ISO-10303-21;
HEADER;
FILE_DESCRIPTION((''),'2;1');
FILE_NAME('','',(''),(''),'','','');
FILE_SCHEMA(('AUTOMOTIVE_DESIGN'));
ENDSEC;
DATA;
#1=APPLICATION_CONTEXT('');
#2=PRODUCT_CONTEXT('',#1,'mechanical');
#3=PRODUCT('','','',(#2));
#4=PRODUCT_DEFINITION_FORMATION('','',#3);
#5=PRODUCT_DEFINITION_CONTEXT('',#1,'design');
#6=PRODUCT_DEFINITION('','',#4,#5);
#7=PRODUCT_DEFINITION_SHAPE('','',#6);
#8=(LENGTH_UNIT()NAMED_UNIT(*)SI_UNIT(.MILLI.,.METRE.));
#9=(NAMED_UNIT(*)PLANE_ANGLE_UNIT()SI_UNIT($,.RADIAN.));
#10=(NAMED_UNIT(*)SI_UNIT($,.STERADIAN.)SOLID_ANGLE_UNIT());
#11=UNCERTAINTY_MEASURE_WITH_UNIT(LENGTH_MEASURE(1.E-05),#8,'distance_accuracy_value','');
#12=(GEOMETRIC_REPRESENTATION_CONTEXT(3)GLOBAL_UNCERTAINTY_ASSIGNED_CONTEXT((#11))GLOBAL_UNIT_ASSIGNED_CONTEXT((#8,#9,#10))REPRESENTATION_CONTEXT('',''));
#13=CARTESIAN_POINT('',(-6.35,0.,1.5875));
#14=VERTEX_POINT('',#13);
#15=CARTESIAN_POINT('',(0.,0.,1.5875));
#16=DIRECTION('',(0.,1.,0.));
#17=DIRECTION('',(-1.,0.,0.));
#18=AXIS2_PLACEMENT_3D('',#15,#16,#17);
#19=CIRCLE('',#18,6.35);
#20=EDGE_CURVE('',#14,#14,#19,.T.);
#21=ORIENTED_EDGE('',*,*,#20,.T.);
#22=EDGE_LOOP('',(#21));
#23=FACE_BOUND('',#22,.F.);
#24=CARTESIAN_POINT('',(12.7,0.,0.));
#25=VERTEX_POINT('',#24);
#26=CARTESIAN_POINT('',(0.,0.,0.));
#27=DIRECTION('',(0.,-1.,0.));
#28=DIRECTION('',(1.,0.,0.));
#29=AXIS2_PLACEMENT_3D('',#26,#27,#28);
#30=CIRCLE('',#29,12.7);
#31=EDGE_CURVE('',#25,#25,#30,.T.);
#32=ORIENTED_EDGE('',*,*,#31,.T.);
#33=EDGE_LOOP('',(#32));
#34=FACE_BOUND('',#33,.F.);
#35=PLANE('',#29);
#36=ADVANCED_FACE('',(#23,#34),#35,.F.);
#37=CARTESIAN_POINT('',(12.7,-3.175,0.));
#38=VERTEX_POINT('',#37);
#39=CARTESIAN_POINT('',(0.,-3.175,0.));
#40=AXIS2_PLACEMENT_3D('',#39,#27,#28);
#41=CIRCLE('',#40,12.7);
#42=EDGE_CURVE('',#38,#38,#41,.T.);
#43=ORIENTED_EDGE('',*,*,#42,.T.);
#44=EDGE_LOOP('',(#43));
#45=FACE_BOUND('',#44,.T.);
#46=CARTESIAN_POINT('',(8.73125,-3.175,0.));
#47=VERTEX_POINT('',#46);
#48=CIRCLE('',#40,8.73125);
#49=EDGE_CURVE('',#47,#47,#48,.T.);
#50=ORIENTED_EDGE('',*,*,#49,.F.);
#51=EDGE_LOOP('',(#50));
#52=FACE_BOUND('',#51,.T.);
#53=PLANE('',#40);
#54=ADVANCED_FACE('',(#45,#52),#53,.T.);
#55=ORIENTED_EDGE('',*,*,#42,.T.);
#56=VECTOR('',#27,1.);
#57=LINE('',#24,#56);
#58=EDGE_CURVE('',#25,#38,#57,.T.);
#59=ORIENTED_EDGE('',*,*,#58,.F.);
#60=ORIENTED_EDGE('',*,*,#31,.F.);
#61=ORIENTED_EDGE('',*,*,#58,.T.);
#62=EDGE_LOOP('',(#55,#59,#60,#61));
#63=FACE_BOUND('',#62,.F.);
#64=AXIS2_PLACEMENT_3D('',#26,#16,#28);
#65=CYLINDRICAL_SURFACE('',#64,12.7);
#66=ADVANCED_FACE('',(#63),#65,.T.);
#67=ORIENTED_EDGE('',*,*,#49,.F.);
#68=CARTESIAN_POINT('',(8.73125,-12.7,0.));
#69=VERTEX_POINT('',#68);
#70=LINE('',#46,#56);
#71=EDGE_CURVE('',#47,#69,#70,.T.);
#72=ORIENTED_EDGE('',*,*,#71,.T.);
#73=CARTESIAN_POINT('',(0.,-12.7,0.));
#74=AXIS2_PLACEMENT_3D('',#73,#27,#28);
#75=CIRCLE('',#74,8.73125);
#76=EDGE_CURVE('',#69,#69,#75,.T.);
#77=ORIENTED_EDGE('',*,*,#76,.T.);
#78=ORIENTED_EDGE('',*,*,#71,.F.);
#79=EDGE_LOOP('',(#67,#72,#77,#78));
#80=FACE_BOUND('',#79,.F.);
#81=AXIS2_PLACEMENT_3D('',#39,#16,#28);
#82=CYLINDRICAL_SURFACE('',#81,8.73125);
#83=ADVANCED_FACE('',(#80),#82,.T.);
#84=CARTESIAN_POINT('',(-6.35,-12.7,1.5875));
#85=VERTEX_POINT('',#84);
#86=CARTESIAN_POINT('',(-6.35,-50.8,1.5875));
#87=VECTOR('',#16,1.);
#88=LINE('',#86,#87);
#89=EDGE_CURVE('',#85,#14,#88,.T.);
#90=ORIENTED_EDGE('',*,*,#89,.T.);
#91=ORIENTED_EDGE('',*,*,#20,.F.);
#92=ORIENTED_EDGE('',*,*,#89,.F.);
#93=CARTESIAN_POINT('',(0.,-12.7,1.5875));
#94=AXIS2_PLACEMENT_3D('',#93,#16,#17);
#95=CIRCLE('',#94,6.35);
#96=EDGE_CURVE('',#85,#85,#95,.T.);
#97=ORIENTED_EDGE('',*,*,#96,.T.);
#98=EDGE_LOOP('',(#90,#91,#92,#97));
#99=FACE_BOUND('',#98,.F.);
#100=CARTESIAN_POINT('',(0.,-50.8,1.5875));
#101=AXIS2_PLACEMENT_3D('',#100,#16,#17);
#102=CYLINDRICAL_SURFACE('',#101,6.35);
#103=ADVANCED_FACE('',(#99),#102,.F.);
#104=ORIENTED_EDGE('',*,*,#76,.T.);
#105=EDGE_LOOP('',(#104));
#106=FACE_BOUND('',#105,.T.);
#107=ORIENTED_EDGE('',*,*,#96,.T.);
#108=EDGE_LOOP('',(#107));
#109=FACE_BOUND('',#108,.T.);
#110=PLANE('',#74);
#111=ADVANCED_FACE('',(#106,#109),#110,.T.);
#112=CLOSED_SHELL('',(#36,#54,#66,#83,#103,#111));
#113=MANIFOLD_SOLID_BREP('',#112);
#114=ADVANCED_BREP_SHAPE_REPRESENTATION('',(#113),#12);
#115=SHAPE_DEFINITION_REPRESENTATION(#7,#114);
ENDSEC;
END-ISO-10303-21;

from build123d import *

# Parameters (mm, degrees)
F0_R     = 12.7
F0_R_2   = 8.73125
F1_DEPTH = 3.175
F2_R     = 8.73125
F3_DEPTH = 9.525
F5_D     = 12.7


with BuildPart() as f1:
    # F0 (on Front) → F1 (new body)
    with BuildSketch(Plane.XZ):
        Circle(F0_R)
        Circle(F0_R_2, mode=Mode.SUBTRACT)
        Circle(F0_R_2)
    extrude(amount=F1_DEPTH)

    # F2 (on face) → F3 (join)
    with BuildSketch(Plane.XZ.offset(3.175)):
        Circle(F2_R)
    extrude(amount=F3_DEPTH)

    # F5 (through all)
    with Locations(Plane.XZ.offset(12.7)):
        with Locations((0, 1.5875)):
            Hole(F5_D / 2)


solid = f1.part
